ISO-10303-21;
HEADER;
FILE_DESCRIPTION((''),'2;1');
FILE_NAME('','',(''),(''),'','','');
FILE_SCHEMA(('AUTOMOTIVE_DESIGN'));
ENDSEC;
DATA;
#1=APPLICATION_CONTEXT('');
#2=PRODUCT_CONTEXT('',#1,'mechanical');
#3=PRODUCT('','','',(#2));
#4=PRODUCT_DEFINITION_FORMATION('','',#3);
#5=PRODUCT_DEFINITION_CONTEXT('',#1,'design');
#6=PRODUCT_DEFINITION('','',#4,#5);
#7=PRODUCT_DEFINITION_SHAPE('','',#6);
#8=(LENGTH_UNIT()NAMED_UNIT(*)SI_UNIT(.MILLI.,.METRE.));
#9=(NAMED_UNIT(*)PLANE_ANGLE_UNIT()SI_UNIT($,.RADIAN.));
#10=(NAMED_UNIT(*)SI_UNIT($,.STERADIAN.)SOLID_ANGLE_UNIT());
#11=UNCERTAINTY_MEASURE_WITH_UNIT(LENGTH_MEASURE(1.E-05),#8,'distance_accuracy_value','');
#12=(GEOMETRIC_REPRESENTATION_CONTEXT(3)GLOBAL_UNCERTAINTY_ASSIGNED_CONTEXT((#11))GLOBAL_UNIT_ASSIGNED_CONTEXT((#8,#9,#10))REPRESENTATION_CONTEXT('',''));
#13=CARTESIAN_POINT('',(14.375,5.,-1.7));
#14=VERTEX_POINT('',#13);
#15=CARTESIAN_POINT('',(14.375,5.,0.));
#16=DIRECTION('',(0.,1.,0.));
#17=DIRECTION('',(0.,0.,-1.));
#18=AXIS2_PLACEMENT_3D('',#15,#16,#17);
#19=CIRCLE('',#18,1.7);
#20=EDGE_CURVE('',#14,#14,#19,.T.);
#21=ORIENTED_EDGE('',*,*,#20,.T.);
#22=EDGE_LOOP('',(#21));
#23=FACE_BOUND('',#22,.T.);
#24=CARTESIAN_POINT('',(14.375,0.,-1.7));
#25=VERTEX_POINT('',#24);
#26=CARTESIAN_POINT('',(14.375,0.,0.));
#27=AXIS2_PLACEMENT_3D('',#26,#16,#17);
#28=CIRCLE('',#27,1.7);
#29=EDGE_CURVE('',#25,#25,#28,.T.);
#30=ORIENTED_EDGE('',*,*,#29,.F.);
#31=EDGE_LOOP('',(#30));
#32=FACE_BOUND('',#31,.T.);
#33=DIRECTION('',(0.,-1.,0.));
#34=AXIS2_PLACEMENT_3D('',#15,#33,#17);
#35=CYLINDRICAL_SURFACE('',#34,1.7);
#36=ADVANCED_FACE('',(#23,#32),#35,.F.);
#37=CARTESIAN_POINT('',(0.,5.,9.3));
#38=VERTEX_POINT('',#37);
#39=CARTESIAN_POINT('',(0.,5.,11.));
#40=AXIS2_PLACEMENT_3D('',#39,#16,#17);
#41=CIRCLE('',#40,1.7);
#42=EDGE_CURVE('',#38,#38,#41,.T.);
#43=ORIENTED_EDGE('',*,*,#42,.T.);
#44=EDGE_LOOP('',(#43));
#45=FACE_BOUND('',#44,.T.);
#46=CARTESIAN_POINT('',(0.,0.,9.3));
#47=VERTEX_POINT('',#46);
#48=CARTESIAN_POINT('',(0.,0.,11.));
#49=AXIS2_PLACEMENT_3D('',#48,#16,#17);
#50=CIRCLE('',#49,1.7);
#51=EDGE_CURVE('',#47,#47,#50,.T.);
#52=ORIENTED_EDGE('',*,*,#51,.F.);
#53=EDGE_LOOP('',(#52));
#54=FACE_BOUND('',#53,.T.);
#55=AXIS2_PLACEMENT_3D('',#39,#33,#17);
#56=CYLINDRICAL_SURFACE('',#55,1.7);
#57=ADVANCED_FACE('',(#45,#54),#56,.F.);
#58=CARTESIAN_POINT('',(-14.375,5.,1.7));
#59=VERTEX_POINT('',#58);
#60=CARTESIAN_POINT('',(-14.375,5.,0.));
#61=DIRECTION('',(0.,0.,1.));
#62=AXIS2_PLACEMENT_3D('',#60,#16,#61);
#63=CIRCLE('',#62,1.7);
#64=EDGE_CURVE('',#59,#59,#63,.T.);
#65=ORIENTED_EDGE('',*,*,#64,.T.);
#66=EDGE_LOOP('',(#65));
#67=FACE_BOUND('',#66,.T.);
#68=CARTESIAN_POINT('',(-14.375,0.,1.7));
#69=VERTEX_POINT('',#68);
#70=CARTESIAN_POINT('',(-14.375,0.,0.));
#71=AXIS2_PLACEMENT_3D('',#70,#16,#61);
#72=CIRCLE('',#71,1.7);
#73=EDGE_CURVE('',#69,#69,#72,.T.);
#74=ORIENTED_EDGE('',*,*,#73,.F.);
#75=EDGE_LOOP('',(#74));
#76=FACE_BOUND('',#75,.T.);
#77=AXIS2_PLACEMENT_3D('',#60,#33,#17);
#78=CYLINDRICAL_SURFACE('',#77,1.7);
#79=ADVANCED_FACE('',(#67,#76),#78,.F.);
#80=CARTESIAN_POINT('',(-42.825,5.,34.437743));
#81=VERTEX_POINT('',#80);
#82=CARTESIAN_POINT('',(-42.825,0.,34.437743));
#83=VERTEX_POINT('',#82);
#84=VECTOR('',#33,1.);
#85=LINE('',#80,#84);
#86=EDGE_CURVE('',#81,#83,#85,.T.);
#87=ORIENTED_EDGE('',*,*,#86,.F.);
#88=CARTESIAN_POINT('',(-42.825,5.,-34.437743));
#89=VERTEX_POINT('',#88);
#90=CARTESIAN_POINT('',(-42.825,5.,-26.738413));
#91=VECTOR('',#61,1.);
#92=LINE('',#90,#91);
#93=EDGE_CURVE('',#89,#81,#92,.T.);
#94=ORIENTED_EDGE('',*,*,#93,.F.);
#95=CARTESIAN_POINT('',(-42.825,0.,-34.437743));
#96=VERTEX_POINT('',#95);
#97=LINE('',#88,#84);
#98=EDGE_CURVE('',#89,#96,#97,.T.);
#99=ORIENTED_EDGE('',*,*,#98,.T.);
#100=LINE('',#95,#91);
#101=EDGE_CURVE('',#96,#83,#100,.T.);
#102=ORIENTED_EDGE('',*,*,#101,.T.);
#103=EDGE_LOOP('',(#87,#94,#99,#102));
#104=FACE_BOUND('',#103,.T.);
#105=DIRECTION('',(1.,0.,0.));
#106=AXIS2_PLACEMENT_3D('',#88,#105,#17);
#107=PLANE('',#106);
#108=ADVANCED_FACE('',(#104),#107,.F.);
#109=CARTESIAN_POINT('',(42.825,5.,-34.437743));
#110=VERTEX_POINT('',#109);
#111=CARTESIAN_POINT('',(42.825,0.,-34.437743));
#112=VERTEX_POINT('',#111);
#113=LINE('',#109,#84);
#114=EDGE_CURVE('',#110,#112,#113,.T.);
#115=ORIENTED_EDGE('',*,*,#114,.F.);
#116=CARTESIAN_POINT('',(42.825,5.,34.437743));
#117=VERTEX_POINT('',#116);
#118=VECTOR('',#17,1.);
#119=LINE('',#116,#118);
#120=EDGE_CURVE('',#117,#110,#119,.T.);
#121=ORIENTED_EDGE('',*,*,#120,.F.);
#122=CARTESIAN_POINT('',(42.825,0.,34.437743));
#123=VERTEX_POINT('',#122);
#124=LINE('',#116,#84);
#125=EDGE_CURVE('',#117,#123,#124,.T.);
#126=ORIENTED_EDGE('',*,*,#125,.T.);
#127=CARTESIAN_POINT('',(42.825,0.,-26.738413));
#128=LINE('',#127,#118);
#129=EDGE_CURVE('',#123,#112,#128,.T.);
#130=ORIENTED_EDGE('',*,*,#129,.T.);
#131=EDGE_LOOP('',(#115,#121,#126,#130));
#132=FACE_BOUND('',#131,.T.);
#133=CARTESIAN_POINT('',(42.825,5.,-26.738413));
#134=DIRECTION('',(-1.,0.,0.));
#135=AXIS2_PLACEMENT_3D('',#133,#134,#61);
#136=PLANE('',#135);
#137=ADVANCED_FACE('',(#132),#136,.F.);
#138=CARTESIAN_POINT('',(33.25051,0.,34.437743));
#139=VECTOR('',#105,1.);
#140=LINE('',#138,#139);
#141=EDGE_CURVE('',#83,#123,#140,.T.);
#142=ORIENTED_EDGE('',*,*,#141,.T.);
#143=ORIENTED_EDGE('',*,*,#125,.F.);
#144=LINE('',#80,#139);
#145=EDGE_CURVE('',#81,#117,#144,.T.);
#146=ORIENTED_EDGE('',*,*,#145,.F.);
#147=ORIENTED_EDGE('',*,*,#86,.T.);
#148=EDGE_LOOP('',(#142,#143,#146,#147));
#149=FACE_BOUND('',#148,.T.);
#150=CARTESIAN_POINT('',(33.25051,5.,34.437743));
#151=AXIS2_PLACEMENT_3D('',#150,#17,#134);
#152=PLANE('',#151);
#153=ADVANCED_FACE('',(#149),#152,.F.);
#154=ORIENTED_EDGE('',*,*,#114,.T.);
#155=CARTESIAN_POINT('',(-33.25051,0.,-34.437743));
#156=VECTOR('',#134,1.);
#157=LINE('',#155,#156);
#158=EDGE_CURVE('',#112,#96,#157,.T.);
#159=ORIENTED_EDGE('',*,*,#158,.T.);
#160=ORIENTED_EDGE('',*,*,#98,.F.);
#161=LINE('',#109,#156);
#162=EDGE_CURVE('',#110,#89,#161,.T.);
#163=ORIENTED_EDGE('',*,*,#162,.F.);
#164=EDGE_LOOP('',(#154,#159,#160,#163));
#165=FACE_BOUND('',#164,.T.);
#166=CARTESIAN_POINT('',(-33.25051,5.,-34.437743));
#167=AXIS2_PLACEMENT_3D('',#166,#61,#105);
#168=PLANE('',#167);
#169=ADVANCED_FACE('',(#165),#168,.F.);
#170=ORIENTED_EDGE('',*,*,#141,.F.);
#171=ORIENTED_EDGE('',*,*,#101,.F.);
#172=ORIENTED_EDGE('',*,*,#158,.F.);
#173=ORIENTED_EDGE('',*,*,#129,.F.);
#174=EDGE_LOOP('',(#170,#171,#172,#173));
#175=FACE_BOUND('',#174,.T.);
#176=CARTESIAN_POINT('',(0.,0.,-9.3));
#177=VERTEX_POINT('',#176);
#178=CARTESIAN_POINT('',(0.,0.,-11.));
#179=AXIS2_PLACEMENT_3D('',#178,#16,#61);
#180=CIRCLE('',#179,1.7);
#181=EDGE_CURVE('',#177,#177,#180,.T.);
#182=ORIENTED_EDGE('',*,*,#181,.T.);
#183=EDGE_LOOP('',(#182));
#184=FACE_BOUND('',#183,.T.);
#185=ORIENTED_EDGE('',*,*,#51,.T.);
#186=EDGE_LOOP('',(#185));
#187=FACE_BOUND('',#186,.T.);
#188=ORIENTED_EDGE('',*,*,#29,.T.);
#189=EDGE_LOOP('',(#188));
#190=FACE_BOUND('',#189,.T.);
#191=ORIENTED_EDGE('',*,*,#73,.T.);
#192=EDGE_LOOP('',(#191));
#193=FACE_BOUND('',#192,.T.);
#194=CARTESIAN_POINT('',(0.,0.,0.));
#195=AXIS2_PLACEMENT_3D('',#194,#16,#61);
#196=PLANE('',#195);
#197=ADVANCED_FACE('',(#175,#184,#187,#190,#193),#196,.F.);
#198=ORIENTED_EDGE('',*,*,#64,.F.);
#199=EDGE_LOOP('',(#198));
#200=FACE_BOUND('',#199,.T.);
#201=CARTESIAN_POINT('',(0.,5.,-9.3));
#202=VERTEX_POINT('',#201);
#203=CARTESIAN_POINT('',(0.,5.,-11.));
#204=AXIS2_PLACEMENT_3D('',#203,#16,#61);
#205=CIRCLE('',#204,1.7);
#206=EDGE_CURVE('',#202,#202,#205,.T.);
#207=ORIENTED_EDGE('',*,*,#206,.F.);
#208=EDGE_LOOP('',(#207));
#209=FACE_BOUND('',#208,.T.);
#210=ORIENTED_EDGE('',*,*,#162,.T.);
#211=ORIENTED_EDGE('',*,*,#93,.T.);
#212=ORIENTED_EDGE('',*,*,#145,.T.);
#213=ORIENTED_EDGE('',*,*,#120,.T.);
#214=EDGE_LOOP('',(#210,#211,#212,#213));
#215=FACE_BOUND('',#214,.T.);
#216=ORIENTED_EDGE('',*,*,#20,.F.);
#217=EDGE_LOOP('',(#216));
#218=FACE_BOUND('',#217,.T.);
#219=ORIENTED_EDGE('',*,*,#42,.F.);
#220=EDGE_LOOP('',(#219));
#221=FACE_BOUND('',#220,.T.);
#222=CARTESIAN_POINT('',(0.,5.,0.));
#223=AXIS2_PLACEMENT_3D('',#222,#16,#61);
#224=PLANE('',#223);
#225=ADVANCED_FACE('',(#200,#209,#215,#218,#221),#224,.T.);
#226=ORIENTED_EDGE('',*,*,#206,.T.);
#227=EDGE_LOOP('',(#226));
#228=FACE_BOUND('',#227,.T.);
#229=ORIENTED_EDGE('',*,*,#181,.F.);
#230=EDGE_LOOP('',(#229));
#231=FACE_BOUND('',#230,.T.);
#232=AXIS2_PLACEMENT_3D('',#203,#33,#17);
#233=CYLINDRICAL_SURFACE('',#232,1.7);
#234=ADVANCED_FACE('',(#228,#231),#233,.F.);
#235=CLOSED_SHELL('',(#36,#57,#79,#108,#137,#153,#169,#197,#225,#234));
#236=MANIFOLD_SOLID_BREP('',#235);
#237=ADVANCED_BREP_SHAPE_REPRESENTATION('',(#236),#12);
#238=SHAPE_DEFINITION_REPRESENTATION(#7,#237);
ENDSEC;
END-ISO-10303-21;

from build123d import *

# Parameters (mm, degrees)
SKETCH1_R           = 1.7
BOSS_EXTRUDE1_DEPTH = 5


with BuildPart() as part:
    # Sketch1 → Boss-Extrude1 (new body)
    with BuildSketch(Plane(origin=(0, 0, 0), x_dir=(1, 0, 0), z_dir=(0, 1, 0))):
        Polygon((42.825, 26.738412941), (42.825, 34.437743191), (33.250510286, 34.437743191), (-33.250510286, 34.437743191), (-42.825, 34.437743191), (-42.825, 26.738412941), (-42.825, -26.738412941), (-42.825, -34.437743191), (-33.250510286, -34.437743191), (33.250510286, -34.437743191), (42.825, -34.437743191), (42.825, -26.738412941), align=None)
        with Locations(Location((0, 11, 0), (0, 0, 270))):
            Circle(SKETCH1_R, mode=Mode.SUBTRACT)
        with Locations(Location((-14.375, 0, 0), (0, 0, 270))):
            Circle(SKETCH1_R, mode=Mode.SUBTRACT)
        with Locations(Location((0, -11, 0), (0, 0, 90))):
            Circle(SKETCH1_R, mode=Mode.SUBTRACT)
        with Locations(Location((14.375, 0, 0), (0, 0, 90))):
            Circle(SKETCH1_R, mode=Mode.SUBTRACT)
    extrude(amount=BOSS_EXTRUDE1_DEPTH)


solid = part.part
